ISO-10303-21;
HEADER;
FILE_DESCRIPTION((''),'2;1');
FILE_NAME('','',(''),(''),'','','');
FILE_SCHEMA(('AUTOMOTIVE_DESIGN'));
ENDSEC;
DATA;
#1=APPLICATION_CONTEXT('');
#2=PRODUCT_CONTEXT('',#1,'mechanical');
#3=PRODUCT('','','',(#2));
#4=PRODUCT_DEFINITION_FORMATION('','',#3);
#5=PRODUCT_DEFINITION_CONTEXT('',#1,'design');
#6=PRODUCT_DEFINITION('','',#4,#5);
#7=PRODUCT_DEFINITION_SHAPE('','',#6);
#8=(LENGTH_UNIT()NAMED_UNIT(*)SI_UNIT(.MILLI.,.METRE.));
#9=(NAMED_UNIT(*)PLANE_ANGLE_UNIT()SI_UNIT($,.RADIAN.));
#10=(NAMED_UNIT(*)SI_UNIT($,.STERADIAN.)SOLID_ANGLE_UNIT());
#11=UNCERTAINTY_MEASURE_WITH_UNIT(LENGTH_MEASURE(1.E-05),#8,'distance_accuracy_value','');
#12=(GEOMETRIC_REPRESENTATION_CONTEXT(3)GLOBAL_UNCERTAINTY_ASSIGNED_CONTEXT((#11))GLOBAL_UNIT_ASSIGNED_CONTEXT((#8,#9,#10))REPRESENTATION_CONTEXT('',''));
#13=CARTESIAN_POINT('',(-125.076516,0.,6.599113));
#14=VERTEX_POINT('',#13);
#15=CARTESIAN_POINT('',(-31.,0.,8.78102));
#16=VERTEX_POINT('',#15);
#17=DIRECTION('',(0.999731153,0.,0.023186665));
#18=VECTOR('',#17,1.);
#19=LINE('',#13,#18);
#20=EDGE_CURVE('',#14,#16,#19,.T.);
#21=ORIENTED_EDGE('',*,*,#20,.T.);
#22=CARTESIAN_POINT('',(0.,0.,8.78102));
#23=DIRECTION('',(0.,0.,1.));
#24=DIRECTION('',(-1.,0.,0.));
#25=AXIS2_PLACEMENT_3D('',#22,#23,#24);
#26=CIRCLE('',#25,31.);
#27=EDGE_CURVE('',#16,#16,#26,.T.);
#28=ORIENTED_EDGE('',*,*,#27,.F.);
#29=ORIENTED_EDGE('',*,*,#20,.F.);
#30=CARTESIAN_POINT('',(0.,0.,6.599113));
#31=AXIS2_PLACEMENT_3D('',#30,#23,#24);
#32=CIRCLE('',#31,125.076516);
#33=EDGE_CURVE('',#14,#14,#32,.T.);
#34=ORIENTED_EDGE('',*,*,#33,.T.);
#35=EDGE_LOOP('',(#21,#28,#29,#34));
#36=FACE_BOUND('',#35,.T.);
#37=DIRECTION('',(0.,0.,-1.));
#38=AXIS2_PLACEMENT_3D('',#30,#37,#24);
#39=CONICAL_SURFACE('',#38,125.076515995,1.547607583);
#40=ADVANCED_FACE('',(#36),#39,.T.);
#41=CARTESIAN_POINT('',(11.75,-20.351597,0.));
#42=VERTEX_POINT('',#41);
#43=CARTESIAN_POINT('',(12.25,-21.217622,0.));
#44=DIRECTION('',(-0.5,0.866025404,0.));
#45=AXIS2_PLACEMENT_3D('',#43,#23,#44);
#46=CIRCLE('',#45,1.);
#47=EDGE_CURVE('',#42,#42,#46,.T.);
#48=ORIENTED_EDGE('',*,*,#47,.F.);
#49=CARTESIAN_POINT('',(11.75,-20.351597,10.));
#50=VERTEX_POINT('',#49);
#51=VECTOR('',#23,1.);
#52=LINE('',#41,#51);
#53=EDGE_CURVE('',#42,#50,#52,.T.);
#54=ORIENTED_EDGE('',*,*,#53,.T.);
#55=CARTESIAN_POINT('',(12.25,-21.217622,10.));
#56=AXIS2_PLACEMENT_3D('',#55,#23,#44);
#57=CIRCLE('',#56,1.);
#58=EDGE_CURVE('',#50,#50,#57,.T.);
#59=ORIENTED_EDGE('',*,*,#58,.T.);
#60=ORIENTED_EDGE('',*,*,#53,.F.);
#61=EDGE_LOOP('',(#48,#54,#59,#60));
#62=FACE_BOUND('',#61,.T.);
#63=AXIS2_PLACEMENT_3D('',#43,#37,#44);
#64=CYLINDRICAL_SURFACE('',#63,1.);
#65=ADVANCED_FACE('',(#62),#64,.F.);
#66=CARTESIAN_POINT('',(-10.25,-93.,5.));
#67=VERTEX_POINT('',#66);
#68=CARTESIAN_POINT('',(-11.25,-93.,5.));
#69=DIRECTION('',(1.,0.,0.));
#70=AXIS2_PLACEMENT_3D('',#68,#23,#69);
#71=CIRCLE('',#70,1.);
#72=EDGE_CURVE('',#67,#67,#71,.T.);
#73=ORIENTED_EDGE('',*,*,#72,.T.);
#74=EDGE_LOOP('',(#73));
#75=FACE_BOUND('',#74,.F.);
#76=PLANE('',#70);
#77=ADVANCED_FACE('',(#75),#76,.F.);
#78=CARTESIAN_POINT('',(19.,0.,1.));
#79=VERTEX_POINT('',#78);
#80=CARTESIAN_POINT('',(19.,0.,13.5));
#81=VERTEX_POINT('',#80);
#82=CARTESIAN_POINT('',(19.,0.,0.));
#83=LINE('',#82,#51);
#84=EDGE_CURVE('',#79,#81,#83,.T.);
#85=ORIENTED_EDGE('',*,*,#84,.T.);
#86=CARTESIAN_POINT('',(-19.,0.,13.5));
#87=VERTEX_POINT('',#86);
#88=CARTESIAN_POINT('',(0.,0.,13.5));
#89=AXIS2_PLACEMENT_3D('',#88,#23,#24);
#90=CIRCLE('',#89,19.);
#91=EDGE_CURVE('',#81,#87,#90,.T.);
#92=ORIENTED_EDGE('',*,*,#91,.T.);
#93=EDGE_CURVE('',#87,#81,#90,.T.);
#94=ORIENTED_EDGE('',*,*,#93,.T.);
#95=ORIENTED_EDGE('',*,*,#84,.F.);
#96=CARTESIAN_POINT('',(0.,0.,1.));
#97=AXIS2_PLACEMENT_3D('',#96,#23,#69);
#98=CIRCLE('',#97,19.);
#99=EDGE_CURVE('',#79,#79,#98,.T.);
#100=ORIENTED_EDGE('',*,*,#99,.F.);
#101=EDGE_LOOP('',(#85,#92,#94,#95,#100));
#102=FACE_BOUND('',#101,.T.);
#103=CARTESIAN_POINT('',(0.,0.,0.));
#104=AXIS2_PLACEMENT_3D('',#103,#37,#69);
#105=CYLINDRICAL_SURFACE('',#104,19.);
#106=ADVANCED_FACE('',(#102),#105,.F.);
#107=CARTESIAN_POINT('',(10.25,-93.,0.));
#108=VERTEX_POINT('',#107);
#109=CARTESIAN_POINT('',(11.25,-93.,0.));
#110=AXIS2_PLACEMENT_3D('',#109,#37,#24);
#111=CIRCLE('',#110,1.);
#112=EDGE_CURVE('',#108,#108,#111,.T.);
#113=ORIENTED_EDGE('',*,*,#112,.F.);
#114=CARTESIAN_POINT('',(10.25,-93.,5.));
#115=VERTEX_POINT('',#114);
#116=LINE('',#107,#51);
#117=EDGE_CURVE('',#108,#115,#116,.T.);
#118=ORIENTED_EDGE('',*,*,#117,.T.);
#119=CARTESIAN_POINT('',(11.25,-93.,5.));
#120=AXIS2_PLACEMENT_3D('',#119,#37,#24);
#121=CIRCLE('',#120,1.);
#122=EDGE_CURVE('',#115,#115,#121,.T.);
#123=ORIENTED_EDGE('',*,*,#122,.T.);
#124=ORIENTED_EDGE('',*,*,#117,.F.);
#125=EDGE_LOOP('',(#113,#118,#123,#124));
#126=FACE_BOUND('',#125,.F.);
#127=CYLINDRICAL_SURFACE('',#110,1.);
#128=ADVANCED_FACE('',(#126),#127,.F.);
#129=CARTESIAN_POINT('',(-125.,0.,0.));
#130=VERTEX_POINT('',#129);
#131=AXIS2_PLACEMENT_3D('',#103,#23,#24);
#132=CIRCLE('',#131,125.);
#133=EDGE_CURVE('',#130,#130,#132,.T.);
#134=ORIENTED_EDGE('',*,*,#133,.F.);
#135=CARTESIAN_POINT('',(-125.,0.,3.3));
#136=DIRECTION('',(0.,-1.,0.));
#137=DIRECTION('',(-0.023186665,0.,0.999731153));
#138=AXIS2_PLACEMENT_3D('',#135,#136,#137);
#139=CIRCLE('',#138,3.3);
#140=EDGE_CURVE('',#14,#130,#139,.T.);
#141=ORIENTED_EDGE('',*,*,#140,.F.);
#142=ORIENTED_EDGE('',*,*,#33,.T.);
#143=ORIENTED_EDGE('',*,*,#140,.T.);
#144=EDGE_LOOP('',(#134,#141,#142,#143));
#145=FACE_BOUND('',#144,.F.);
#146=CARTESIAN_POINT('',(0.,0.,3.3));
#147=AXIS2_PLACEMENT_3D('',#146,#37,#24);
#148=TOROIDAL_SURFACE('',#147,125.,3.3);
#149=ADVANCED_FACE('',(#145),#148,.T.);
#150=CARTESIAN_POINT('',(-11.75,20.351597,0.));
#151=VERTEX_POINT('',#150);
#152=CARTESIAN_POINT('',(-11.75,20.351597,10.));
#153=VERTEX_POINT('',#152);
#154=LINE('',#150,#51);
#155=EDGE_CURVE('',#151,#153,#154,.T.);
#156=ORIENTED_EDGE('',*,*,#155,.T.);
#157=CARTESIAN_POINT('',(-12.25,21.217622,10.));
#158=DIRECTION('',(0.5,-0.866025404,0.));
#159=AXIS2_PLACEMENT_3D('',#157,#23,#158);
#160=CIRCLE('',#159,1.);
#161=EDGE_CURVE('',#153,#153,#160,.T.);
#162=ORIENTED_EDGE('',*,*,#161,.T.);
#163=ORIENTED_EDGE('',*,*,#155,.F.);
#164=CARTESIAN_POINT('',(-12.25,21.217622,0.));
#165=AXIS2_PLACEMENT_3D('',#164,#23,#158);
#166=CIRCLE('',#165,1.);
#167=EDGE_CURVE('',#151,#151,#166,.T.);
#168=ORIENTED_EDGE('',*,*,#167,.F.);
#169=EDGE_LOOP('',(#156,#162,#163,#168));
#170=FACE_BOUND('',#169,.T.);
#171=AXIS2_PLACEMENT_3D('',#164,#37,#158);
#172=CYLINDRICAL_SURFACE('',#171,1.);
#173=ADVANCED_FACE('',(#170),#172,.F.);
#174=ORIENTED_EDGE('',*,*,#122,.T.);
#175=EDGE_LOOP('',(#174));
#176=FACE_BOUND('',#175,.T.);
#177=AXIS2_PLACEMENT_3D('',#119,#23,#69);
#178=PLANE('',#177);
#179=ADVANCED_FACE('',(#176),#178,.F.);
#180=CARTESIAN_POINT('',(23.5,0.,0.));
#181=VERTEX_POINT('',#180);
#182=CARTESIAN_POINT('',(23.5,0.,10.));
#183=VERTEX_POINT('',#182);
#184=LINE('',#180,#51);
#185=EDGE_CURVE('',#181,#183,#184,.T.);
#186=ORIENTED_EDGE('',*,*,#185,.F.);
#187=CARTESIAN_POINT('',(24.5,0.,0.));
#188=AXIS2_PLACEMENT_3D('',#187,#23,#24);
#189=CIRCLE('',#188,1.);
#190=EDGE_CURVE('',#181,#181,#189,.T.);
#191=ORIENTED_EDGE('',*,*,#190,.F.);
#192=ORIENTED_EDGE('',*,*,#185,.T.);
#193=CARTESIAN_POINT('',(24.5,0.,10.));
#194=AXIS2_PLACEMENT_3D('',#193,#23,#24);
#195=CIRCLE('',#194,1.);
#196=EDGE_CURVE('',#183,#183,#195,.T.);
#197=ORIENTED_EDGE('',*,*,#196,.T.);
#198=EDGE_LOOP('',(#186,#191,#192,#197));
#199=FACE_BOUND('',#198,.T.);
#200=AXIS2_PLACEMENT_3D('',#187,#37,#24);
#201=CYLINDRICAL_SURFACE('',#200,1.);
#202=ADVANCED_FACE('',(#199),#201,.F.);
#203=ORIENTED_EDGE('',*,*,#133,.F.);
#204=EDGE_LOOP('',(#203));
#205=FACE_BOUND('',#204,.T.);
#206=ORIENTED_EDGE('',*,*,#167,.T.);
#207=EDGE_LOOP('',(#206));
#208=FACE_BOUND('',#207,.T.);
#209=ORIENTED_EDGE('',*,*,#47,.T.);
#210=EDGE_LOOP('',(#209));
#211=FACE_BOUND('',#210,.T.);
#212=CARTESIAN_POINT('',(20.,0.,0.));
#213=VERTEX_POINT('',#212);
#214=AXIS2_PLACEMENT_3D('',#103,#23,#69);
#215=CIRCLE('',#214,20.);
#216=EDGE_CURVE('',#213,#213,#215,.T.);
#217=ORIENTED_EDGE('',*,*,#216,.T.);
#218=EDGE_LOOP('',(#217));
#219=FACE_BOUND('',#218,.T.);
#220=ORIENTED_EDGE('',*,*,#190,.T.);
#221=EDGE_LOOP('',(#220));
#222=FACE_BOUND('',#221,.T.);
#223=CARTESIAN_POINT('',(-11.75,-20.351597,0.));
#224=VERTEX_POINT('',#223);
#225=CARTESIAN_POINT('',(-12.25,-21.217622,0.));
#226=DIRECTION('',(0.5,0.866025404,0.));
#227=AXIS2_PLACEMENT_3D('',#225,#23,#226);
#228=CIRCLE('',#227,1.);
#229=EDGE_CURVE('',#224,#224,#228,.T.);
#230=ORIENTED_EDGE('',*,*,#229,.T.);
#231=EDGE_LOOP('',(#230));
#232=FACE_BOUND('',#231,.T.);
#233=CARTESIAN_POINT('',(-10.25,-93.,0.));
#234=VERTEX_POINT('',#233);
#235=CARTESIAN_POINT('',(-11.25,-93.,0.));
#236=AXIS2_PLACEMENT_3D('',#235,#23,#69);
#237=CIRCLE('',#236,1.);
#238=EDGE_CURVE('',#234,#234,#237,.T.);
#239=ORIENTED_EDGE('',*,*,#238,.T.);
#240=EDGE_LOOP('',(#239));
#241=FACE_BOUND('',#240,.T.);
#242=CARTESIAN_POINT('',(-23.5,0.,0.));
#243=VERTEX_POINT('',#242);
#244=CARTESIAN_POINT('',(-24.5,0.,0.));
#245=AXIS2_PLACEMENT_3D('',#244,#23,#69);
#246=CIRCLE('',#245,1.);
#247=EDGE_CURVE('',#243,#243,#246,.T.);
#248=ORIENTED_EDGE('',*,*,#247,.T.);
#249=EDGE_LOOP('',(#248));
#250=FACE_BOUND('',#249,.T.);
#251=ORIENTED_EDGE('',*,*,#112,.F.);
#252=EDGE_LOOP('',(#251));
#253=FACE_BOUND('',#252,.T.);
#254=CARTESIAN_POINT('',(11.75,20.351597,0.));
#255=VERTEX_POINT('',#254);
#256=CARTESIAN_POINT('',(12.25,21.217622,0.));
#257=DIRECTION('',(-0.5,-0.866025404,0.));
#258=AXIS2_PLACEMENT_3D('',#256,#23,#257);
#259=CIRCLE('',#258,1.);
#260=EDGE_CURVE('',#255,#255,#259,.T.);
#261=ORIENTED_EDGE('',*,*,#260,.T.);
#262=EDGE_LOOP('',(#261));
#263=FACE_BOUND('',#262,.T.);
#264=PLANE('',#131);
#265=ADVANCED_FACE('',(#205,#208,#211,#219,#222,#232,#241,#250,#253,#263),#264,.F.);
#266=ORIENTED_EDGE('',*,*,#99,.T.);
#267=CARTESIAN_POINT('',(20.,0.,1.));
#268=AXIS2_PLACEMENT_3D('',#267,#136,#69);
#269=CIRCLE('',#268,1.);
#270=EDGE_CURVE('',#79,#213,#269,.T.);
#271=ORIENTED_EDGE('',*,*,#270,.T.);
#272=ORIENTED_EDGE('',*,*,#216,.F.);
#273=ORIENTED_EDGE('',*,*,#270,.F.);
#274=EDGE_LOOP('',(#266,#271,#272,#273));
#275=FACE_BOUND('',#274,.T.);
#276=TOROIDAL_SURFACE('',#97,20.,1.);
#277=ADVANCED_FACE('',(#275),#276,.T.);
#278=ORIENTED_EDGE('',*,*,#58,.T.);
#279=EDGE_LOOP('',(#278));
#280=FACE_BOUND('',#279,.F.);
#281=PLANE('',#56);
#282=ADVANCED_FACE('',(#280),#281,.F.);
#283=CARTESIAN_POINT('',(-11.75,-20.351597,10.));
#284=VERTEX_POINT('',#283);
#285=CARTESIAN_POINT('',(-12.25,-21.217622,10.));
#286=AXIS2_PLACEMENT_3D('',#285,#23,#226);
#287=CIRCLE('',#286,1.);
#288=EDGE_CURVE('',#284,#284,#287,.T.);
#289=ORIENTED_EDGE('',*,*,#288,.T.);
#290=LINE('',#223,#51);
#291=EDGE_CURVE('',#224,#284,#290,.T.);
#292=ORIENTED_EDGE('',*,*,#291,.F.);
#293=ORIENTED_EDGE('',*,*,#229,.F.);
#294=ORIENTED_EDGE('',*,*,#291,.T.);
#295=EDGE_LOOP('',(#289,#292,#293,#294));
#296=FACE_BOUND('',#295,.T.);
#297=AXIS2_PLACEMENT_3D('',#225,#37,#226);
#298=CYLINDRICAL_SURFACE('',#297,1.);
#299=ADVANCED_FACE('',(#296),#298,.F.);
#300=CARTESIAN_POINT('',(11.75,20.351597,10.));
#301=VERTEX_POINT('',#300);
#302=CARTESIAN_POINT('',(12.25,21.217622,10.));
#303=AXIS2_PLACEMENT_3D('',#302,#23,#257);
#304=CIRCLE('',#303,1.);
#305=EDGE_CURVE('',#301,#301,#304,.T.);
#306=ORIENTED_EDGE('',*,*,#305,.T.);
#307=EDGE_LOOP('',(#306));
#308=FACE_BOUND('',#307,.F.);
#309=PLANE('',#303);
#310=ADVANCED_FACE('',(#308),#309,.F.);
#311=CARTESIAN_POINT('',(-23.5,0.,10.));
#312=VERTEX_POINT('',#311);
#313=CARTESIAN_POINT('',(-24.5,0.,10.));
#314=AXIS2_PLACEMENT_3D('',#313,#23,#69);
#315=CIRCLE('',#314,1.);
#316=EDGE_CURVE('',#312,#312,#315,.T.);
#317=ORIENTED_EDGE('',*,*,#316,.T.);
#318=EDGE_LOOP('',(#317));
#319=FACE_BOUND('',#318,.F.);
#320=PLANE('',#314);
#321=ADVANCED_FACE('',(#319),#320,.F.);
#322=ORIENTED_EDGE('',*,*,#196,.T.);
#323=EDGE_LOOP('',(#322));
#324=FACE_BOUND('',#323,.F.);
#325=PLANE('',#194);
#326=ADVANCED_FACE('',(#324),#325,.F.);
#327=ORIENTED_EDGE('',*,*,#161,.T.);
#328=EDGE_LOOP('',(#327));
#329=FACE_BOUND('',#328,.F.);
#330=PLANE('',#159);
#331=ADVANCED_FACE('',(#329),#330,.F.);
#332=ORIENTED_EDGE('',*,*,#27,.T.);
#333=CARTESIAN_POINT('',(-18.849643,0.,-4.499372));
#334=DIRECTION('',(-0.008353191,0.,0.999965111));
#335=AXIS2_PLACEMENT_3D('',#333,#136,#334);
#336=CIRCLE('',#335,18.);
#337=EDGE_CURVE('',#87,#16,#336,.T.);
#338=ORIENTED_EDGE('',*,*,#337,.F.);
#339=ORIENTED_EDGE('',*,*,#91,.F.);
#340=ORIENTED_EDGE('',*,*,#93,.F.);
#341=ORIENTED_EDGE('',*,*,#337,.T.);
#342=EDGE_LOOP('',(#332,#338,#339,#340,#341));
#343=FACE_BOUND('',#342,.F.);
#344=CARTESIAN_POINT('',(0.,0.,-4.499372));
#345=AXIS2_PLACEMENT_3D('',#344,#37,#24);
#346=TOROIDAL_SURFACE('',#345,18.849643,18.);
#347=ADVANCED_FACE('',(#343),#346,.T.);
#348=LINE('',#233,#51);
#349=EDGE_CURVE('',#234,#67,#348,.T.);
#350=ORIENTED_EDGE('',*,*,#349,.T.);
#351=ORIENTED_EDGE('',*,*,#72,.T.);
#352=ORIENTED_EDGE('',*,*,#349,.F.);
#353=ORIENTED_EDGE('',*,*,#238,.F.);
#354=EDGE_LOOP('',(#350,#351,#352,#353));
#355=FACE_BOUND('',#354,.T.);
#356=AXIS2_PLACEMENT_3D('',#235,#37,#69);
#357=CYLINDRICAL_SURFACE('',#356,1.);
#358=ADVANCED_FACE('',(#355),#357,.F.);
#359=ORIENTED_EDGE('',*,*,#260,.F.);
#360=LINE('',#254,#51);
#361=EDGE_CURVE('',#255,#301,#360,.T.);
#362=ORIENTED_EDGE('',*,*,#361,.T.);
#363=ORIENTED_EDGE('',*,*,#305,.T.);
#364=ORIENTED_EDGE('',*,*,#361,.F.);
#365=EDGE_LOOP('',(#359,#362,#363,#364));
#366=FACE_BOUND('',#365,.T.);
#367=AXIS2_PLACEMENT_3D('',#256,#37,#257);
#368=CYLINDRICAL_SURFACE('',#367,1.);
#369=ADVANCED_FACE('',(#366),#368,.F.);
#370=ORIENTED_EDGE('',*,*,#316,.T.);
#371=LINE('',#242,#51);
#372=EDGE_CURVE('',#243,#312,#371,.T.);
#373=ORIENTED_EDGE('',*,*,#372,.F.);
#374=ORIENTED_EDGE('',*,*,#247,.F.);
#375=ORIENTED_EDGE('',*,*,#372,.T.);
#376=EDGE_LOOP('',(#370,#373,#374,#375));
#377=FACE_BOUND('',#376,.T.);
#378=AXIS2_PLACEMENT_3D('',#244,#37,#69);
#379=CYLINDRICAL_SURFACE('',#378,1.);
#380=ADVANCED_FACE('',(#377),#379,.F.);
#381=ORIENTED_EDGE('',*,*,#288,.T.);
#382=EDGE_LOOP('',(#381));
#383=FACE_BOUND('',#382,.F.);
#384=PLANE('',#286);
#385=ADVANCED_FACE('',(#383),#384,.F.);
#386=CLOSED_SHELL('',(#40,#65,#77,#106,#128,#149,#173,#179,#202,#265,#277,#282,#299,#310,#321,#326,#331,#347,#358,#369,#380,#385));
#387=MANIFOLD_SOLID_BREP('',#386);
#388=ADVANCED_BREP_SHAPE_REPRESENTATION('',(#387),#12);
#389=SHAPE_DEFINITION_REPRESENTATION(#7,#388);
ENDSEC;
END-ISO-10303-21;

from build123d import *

# Parameters (mm, degrees)
CYLINDER_R         = 19
CYLINDER_DEPTH     = 20
FILLET001_R        = 1
CYLINDER012_R      = 1
CYLINDER012_DEPTH  = 5
CYLINDER013_R      = 1
CYLINDER013_DEPTH  = 10
POLARPATTERN_COUNT = 6


with BuildPart() as part:
    # Sketch → Revolution (revolve)
    with BuildSketch(Plane.XZ):
        with BuildLine():
            Line((0, 0), (-125, 0))
            ThreePointArc((-125.0765159951, 6.5991128054), (-128.2997781939, 3.2617394308), (-125, 0))
            Line((-125.0765159951, 6.5991128054), (0, 9.5))
            Line((0, 0), (0, 9.5))
        make_face()
    revolve(axis=Axis((0, 0, 0), (0, 0, 1)))

    # Sketch001 → Revolution001 (revolve)
    with BuildSketch(Plane.XZ):
        with BuildLine():
            Line((-19, 13.5), (0, 13.5))
            Line((0, 13.5), (0, 9.5))
            Line((0, 9.5), (-31, 8.7810200834))
            ThreePointArc((-19, 13.5), (-25.437061592, 12.2519237786), (-31, 8.7810200834))
        make_face()
    revolve(axis=Axis((0, 0, 0), (0, 0, 1)))

    # Cylinder → Cylinder (cut)
    with BuildSketch(Plane.XY):
        Circle(CYLINDER_R)
    extrude(amount=CYLINDER_DEPTH, mode=Mode.SUBTRACT)

    # Fillet001
    fillet001_edges = [part.edges().sort_by_distance(p)[0] for p in [
        (-19, 0, 0),
    ]]
    fillet(fillet001_edges, radius=FILLET001_R)

    # Cylinder012 → Cylinder012 (cut)
    with BuildSketch(Plane(origin=(-11.25, -93, 0), x_dir=(1, 0, 0), z_dir=(0, 0, 1))):
        Circle(CYLINDER012_R)
    cylinder012 = extrude(amount=CYLINDER012_DEPTH, mode=Mode.SUBTRACT)

    # Mirrored002: Cylinder012 across YZ
    add(cylinder012.mirror(Plane.YZ), mode=Mode.SUBTRACT)

    # Cylinder013 → Cylinder013 (cut)
    with BuildSketch(Plane(origin=(-24.5, 0, 0), x_dir=(1, 0, 0), z_dir=(0, 0, 1))):
        Circle(CYLINDER013_R)
    cylinder013 = extrude(amount=CYLINDER013_DEPTH, mode=Mode.SUBTRACT)

    # PolarPattern: Cylinder013 ×6 about axis
    polarpattern_axis = Axis((0, 0, 0), (0, 0, 1))
    for i in range(1, POLARPATTERN_COUNT):
        add(cylinder013.rotate(polarpattern_axis, i * 360 / POLARPATTERN_COUNT), mode=Mode.SUBTRACT)


solid = part.part
